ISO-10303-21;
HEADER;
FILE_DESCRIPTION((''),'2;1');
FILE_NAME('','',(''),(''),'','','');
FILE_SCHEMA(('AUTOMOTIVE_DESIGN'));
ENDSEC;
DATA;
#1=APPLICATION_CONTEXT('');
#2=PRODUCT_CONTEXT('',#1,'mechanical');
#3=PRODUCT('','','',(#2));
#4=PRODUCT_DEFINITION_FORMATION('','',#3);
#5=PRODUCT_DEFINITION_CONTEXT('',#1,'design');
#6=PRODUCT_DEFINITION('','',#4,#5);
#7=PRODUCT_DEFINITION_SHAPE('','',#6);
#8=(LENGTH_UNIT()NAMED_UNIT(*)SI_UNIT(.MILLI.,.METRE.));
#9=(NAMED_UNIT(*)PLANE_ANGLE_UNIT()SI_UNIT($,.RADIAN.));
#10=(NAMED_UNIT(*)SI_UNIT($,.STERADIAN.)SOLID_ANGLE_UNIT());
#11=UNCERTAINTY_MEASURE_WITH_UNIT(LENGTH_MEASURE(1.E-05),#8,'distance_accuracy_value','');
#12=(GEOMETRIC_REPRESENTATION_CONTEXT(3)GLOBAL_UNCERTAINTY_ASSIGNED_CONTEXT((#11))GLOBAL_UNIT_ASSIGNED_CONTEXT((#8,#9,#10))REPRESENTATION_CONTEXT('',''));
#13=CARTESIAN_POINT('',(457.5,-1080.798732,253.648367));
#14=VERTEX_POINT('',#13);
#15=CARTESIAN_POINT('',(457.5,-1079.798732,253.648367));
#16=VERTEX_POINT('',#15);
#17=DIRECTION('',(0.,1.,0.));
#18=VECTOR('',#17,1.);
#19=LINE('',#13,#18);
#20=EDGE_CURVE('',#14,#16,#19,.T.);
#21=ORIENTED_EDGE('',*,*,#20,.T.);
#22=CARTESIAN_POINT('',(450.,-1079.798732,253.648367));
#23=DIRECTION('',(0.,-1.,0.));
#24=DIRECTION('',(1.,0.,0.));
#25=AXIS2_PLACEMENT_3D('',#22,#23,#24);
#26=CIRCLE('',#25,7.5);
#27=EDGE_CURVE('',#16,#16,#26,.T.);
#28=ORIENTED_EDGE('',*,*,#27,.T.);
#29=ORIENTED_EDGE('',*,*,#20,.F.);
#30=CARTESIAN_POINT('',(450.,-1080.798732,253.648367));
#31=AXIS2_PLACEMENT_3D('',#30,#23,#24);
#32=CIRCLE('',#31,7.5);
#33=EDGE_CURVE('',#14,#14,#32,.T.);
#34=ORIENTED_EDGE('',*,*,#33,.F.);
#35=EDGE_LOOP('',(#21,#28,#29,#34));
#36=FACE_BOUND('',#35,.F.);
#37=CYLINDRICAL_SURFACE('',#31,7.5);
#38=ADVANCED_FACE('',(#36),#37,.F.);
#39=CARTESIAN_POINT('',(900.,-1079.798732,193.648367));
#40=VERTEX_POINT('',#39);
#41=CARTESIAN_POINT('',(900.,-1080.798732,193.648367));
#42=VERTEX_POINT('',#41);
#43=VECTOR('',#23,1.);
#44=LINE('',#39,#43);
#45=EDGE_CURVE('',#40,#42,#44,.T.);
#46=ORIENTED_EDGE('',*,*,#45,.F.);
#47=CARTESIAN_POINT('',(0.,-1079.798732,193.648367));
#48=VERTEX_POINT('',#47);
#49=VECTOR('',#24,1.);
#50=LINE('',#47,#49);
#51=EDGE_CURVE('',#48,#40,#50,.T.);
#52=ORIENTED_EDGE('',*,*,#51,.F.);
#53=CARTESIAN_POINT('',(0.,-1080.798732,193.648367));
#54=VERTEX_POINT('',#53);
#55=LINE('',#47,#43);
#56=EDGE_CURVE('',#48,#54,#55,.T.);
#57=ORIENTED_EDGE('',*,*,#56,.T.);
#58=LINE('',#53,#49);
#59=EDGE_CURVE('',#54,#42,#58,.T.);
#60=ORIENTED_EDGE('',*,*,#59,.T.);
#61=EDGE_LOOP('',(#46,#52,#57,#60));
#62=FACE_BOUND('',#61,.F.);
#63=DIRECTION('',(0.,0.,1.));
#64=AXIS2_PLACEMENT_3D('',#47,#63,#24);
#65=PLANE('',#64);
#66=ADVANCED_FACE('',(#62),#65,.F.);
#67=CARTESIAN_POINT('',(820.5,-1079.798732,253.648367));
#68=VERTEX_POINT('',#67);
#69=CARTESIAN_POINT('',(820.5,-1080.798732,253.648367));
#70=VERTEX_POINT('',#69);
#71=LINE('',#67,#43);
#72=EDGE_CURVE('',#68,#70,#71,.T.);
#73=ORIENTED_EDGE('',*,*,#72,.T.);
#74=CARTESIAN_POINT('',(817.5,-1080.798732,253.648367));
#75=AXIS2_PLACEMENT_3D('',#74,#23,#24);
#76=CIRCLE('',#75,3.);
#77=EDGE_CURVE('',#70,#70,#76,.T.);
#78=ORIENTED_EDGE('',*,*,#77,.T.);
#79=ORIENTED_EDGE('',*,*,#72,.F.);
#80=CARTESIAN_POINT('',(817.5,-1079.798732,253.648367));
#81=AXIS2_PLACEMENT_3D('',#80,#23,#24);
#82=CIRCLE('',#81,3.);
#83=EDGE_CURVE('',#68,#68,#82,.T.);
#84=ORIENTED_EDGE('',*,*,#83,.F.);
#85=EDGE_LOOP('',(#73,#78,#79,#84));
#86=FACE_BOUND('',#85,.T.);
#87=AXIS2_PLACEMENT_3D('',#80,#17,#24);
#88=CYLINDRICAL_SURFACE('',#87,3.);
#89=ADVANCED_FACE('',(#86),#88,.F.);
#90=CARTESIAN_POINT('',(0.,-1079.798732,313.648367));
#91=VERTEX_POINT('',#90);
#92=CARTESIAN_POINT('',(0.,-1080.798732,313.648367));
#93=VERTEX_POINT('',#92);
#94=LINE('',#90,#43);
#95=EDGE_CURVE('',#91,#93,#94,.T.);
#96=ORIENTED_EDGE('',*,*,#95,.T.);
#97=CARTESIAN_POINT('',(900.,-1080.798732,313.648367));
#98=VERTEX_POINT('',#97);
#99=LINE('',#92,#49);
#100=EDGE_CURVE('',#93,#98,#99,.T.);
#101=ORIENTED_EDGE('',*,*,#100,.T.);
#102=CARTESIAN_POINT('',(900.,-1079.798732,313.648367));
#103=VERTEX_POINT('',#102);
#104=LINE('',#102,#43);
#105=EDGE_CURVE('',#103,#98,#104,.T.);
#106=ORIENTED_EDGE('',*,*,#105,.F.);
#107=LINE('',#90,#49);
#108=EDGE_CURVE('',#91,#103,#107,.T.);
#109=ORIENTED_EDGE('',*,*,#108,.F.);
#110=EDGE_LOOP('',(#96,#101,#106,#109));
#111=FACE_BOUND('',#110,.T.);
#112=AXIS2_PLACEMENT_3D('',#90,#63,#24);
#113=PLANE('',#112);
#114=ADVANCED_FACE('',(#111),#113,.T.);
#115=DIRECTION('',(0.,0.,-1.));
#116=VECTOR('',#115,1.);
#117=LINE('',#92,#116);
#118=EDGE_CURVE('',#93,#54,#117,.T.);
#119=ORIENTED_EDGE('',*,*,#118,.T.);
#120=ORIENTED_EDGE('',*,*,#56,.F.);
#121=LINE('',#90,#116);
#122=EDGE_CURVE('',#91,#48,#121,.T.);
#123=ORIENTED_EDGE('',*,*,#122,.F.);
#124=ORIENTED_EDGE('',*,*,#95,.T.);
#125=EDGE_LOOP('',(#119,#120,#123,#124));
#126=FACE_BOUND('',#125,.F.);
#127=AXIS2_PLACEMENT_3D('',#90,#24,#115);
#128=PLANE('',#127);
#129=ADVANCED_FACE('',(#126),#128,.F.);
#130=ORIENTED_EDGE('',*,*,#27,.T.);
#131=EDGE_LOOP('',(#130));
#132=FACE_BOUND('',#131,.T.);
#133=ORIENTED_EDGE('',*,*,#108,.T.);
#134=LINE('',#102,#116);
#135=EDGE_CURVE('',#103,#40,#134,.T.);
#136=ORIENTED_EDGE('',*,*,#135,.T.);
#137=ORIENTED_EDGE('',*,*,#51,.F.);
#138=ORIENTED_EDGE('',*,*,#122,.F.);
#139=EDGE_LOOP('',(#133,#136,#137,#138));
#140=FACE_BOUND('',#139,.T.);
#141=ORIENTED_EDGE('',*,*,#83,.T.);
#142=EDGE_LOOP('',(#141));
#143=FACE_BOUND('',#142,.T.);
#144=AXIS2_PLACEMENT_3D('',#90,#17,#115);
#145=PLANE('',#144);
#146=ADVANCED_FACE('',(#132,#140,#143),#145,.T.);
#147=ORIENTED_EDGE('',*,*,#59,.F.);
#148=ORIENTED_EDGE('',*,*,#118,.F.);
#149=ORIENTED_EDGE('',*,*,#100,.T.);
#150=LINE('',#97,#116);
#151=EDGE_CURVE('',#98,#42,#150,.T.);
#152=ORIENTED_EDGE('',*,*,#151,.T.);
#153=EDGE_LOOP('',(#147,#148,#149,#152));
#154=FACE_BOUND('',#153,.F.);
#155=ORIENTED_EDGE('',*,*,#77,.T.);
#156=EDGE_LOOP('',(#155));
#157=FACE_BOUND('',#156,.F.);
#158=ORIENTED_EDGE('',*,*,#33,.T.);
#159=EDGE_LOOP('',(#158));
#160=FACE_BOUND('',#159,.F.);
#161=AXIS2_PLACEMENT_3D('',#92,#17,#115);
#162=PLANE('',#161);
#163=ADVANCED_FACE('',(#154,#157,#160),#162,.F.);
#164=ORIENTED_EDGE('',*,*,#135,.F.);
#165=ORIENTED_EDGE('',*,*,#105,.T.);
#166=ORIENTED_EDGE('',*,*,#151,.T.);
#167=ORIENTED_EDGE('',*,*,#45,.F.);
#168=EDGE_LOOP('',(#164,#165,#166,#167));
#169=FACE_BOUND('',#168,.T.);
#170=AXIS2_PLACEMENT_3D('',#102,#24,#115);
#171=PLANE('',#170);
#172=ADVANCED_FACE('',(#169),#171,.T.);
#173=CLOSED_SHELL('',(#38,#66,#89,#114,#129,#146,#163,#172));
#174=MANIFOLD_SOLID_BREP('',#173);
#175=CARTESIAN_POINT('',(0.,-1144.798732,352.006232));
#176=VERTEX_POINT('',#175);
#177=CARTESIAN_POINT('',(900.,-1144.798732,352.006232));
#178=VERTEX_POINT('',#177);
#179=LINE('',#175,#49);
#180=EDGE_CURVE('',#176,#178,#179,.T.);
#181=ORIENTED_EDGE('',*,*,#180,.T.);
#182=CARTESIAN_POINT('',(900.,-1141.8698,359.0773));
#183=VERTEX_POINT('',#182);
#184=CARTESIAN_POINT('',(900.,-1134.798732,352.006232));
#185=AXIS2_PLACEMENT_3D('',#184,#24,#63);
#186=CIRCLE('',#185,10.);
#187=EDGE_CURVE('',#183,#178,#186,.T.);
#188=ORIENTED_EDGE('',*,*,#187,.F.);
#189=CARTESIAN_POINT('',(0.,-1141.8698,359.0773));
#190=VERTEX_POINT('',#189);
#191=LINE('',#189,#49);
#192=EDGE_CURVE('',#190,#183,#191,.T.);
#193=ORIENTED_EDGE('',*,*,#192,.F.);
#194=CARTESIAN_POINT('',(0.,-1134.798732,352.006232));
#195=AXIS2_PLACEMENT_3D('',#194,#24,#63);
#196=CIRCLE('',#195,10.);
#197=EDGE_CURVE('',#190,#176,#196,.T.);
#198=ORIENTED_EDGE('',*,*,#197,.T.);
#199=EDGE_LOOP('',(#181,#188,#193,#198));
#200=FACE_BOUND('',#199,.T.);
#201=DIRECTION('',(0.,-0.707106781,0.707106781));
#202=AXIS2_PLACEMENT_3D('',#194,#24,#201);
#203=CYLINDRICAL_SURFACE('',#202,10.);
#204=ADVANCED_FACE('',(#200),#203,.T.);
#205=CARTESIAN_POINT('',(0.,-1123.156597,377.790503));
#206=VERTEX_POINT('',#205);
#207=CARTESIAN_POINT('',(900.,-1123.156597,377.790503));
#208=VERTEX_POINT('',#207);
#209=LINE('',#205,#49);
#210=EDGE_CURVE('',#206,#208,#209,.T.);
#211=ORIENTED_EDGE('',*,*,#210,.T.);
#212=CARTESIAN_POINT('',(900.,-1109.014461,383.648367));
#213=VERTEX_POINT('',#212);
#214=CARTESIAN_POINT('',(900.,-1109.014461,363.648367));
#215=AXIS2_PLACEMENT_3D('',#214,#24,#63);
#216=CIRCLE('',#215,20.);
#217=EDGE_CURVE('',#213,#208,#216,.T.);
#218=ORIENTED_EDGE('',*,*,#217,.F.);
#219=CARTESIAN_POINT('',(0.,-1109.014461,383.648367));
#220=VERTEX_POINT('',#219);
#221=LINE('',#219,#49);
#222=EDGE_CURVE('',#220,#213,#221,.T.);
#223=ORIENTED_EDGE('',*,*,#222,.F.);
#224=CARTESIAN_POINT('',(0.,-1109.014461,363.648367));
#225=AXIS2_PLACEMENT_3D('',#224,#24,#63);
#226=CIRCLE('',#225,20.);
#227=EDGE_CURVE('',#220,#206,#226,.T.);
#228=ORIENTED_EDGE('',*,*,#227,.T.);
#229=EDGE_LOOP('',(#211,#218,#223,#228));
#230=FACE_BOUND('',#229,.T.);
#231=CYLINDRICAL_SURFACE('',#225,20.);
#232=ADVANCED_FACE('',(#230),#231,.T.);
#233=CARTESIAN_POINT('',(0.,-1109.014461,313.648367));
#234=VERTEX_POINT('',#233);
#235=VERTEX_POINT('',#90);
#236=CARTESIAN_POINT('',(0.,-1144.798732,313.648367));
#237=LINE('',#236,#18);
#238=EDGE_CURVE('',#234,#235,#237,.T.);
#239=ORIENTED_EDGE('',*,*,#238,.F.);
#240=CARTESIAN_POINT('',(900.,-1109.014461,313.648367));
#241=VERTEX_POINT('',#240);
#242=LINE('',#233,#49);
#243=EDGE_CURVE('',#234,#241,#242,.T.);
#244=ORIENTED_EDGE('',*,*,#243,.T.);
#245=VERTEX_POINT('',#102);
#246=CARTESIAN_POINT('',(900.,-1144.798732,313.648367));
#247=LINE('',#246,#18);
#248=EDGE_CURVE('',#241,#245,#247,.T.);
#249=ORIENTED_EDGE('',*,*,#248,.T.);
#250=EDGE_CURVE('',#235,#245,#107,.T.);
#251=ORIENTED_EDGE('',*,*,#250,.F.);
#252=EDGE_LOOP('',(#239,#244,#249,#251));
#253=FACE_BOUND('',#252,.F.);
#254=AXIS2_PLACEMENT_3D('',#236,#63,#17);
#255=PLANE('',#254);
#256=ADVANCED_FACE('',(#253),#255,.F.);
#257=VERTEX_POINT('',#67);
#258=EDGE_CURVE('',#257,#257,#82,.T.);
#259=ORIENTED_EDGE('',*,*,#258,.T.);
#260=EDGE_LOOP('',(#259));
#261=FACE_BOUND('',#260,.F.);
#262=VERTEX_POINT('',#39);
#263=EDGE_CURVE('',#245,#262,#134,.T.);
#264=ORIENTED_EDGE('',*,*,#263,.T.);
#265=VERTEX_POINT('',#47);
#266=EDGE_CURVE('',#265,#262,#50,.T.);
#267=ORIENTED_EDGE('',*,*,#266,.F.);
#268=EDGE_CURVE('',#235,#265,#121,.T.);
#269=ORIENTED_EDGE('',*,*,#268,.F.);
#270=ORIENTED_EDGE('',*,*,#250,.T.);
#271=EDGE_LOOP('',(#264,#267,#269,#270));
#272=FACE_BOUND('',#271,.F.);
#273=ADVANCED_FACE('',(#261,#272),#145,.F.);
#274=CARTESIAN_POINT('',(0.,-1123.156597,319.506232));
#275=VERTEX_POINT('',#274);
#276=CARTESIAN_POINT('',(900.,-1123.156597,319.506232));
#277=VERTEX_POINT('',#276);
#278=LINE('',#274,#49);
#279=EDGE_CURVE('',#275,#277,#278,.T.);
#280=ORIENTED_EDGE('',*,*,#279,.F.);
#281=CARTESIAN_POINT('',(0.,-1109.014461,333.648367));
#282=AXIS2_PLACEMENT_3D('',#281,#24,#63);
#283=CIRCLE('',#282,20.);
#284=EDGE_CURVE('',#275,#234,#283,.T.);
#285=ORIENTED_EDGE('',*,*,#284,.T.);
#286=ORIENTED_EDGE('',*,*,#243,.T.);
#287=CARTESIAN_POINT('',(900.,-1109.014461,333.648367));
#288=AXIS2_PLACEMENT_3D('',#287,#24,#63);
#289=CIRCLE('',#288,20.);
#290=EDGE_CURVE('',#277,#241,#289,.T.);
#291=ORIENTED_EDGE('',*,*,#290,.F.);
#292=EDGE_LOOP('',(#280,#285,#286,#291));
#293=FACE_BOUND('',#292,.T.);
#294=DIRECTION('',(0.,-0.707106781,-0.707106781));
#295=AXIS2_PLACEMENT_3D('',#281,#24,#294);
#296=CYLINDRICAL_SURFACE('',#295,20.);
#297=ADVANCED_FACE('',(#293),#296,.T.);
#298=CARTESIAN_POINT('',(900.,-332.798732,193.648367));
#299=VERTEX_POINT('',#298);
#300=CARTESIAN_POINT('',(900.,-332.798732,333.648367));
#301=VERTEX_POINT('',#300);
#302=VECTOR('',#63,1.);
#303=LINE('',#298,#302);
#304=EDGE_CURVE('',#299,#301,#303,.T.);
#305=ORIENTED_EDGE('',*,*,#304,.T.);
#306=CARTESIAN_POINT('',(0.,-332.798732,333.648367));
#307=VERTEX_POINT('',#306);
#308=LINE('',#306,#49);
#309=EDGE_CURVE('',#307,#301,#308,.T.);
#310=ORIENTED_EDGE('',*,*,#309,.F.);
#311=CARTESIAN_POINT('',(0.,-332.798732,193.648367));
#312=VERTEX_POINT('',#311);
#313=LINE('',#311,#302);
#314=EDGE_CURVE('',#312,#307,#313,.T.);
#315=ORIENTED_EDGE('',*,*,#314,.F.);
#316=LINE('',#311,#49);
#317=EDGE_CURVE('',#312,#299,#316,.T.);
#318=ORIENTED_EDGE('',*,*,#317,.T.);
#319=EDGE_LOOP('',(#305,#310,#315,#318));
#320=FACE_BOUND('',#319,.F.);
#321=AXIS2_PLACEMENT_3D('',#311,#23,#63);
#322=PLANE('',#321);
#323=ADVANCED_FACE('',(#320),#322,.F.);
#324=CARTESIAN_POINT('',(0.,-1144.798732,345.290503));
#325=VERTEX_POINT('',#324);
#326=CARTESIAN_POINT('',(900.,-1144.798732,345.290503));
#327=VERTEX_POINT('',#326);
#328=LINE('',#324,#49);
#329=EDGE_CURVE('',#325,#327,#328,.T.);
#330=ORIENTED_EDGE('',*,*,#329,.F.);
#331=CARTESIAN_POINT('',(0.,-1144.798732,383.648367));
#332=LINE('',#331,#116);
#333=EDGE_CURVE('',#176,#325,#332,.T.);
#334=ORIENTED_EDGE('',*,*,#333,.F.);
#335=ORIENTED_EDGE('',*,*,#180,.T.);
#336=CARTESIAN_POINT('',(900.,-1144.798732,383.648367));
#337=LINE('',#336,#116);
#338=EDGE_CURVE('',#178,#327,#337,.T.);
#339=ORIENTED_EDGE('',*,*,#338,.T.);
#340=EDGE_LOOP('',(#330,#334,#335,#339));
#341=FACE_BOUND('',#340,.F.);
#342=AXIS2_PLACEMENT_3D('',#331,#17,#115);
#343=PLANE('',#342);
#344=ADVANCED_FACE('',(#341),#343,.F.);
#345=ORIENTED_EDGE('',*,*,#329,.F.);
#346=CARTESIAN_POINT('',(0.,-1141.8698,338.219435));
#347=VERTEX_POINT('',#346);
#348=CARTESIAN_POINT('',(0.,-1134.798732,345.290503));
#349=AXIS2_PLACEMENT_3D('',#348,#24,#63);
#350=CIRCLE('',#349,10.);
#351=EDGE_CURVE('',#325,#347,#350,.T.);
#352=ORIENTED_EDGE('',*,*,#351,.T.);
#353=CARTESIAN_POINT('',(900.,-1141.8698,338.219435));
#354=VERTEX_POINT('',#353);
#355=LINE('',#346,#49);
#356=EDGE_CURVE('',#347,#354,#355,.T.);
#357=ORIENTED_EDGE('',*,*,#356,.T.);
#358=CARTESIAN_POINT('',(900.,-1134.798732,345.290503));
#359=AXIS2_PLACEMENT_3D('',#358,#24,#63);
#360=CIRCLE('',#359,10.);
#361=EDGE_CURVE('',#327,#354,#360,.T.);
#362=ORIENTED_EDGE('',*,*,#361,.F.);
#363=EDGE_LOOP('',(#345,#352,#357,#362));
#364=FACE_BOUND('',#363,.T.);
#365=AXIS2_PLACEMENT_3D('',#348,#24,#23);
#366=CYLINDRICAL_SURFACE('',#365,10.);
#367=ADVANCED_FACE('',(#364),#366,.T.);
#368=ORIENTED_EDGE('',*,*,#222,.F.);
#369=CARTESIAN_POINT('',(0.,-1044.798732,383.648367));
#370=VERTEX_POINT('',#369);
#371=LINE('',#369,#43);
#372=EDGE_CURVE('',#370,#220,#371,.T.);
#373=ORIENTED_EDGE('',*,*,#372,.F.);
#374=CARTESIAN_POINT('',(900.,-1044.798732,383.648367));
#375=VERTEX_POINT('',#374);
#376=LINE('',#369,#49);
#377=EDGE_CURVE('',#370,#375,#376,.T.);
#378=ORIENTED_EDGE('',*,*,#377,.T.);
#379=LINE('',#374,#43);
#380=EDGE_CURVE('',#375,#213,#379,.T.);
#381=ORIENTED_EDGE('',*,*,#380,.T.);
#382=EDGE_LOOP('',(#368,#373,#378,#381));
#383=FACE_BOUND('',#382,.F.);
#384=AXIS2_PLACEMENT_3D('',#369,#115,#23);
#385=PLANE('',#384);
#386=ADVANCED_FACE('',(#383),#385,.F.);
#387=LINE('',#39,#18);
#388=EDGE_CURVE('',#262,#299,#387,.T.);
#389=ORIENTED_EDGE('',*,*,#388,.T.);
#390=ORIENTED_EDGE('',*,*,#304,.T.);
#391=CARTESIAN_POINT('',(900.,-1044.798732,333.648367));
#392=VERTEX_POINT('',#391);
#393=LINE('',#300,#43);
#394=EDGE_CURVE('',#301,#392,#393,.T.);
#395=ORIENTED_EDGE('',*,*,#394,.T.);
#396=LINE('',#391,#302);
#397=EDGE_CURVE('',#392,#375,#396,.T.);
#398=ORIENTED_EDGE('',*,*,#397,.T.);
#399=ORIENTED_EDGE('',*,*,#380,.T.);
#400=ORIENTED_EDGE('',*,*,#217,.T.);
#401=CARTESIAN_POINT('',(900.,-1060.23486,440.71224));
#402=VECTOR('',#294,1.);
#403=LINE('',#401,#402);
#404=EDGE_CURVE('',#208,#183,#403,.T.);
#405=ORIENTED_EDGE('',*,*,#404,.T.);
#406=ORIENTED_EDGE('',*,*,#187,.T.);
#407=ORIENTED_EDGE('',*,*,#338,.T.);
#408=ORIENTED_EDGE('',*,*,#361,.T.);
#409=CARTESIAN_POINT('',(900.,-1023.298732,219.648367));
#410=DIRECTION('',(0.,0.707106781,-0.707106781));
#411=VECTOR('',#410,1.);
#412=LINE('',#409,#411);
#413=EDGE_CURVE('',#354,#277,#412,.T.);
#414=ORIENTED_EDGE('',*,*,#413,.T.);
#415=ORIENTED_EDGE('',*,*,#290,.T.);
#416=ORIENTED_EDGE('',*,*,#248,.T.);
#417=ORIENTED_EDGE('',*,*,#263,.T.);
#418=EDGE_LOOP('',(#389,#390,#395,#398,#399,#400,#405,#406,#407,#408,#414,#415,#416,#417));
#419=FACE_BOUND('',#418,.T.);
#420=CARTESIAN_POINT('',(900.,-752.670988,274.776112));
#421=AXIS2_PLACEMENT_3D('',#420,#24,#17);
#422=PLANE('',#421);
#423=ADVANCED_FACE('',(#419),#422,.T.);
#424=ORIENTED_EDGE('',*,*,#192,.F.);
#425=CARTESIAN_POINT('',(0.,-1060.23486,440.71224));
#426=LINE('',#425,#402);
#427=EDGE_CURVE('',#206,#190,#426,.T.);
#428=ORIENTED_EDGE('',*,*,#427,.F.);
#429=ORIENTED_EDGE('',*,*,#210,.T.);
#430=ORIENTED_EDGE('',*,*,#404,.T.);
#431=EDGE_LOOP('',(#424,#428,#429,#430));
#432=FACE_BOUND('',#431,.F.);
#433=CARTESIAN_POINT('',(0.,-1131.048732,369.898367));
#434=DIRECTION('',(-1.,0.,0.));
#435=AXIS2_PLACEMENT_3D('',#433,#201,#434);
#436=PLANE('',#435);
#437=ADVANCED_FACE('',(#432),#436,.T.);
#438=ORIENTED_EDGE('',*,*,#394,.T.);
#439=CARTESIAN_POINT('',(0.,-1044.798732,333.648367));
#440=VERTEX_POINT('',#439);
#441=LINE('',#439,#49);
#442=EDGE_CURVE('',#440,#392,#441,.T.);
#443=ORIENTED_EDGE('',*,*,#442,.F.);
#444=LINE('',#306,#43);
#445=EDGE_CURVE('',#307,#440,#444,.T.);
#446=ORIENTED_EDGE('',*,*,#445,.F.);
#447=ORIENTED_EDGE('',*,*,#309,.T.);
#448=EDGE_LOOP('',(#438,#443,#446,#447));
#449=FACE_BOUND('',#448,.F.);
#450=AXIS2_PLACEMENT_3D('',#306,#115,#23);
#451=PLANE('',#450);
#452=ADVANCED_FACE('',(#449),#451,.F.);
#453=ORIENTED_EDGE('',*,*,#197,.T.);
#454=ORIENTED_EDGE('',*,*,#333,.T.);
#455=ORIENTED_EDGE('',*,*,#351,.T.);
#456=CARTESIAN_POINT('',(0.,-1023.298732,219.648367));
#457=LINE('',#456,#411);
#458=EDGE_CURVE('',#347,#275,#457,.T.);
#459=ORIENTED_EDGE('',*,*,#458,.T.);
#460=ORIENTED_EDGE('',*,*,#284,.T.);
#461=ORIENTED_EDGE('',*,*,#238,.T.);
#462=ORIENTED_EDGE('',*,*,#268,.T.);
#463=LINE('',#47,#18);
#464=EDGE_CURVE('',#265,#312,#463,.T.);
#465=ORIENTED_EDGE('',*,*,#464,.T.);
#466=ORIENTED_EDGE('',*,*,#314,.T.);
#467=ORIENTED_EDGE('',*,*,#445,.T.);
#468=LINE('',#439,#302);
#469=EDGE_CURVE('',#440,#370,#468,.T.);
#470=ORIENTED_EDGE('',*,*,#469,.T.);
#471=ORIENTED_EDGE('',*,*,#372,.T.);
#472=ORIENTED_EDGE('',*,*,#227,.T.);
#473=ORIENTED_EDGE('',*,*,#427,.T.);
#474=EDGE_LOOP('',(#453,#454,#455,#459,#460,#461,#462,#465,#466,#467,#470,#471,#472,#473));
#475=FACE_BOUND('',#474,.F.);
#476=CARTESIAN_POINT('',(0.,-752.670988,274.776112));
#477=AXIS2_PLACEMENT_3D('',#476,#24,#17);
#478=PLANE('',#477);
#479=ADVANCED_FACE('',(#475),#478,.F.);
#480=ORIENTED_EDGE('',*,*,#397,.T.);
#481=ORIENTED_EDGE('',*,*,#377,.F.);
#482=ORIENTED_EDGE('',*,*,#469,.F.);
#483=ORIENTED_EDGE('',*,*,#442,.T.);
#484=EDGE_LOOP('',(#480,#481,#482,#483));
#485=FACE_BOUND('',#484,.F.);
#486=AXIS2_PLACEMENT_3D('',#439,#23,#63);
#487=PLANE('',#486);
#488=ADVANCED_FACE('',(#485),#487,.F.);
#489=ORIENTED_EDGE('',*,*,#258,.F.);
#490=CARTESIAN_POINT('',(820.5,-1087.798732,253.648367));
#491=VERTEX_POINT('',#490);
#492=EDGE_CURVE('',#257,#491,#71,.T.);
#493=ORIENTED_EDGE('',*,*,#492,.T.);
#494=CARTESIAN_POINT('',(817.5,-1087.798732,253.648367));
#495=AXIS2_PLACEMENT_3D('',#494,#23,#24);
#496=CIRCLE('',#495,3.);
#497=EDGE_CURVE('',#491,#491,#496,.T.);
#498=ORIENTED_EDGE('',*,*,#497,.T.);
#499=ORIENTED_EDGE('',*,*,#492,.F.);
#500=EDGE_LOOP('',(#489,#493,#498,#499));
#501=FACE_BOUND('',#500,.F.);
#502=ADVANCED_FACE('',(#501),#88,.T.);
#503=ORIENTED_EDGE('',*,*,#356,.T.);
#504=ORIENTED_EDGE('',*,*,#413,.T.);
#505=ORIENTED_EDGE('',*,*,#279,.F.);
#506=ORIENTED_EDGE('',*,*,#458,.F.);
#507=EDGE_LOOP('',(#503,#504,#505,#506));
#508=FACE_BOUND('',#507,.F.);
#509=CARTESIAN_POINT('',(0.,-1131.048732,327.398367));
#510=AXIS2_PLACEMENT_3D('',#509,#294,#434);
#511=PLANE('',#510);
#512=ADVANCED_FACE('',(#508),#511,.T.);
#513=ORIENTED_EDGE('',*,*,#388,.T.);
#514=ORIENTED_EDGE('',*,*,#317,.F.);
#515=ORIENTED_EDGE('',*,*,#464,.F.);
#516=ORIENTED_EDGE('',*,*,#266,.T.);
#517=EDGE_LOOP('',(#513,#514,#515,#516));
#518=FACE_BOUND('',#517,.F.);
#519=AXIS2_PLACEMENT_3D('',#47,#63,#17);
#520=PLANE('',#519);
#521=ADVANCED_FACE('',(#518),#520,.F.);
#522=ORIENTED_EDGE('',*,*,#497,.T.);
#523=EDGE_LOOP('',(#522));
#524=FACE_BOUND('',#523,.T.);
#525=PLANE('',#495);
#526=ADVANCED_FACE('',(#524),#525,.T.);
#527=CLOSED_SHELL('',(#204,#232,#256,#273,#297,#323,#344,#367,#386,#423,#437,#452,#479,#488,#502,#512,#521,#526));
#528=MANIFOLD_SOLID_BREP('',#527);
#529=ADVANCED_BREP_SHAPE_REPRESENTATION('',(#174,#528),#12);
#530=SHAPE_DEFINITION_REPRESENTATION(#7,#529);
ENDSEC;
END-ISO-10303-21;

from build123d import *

# Parameters (mm, degrees)
F1_DEPTH = 900
F2_SIZE  = 27.5
F3_R     = 20
F4_R     = 10
F5_R     = 3
F6_DEPTH = 8
F7_DEPTH = 1
F8_R     = 7.5
F9_DEPTH = 1


with BuildPart() as f1:
    # F0 (on Right) → F1 (new body)
    with BuildSketch(Plane.YZ):
        Polygon((-332.7987321251, 333.6483673438), (-402.7987321251, 333.6483673438), (-1044.7987321251, 333.6483673438), (-1044.7987321251, 383.6483673438), (-1144.7987321251, 383.6483673438), (-1144.7987321251, 313.6483673438), (-1079.7987321251, 313.6483673438), (-1079.7987321251, 193.6483673438), (-1029.7987321251, 193.6483673438), (-332.7987321251, 193.6483673438), align=None)
    extrude(amount=F1_DEPTH)

    # F2
    f2_edges = [f1.edges().sort_by_distance(p)[0] for p in [
        (450, -1144.798732, 383.648367),
        (450, -1144.798732, 313.648367),
    ]]
    chamfer(f2_edges, length=F2_SIZE)

    # F3
    f3_edges = [f1.edges().sort_by_distance(p)[0] for p in [
        (450, -1117.298732, 383.648367),
        (450, -1117.298732, 313.648367),
    ]]
    fillet(f3_edges, radius=F3_R)

    # F4
    f4_edges = [f1.edges().sort_by_distance(p)[0] for p in [
        (450, -1144.798732, 356.148367),
        (450, -1144.798732, 341.148367),
    ]]
    fillet(f4_edges, radius=F4_R)

    # F5 (on face) → F6 (join)
    with BuildSketch(Plane.XZ.offset(1079.7987321251)):
        with Locations((817.5, 253.6483673438)):
            Circle(F5_R)
    extrude(amount=F6_DEPTH)


with BuildPart() as f7:
    # F7 (new): a face of the model
    f7_faces = [f1.part.faces().sort_by_distance(p)[0] for p in [
        (449.9037635303, -1079.7987321251, 253.6483673438),
    ]]
    extrude(f7_faces, amount=F7_DEPTH)

    # F8 (on face) → F9 (cut)
    with BuildSketch(Plane.XZ.offset(1080.7987321251)):
        with Locations((450, 253.6483673438)):
            Circle(F8_R)
    extrude(amount=-F9_DEPTH, mode=Mode.SUBTRACT)


solid = Compound([f1.part, f7.part])
